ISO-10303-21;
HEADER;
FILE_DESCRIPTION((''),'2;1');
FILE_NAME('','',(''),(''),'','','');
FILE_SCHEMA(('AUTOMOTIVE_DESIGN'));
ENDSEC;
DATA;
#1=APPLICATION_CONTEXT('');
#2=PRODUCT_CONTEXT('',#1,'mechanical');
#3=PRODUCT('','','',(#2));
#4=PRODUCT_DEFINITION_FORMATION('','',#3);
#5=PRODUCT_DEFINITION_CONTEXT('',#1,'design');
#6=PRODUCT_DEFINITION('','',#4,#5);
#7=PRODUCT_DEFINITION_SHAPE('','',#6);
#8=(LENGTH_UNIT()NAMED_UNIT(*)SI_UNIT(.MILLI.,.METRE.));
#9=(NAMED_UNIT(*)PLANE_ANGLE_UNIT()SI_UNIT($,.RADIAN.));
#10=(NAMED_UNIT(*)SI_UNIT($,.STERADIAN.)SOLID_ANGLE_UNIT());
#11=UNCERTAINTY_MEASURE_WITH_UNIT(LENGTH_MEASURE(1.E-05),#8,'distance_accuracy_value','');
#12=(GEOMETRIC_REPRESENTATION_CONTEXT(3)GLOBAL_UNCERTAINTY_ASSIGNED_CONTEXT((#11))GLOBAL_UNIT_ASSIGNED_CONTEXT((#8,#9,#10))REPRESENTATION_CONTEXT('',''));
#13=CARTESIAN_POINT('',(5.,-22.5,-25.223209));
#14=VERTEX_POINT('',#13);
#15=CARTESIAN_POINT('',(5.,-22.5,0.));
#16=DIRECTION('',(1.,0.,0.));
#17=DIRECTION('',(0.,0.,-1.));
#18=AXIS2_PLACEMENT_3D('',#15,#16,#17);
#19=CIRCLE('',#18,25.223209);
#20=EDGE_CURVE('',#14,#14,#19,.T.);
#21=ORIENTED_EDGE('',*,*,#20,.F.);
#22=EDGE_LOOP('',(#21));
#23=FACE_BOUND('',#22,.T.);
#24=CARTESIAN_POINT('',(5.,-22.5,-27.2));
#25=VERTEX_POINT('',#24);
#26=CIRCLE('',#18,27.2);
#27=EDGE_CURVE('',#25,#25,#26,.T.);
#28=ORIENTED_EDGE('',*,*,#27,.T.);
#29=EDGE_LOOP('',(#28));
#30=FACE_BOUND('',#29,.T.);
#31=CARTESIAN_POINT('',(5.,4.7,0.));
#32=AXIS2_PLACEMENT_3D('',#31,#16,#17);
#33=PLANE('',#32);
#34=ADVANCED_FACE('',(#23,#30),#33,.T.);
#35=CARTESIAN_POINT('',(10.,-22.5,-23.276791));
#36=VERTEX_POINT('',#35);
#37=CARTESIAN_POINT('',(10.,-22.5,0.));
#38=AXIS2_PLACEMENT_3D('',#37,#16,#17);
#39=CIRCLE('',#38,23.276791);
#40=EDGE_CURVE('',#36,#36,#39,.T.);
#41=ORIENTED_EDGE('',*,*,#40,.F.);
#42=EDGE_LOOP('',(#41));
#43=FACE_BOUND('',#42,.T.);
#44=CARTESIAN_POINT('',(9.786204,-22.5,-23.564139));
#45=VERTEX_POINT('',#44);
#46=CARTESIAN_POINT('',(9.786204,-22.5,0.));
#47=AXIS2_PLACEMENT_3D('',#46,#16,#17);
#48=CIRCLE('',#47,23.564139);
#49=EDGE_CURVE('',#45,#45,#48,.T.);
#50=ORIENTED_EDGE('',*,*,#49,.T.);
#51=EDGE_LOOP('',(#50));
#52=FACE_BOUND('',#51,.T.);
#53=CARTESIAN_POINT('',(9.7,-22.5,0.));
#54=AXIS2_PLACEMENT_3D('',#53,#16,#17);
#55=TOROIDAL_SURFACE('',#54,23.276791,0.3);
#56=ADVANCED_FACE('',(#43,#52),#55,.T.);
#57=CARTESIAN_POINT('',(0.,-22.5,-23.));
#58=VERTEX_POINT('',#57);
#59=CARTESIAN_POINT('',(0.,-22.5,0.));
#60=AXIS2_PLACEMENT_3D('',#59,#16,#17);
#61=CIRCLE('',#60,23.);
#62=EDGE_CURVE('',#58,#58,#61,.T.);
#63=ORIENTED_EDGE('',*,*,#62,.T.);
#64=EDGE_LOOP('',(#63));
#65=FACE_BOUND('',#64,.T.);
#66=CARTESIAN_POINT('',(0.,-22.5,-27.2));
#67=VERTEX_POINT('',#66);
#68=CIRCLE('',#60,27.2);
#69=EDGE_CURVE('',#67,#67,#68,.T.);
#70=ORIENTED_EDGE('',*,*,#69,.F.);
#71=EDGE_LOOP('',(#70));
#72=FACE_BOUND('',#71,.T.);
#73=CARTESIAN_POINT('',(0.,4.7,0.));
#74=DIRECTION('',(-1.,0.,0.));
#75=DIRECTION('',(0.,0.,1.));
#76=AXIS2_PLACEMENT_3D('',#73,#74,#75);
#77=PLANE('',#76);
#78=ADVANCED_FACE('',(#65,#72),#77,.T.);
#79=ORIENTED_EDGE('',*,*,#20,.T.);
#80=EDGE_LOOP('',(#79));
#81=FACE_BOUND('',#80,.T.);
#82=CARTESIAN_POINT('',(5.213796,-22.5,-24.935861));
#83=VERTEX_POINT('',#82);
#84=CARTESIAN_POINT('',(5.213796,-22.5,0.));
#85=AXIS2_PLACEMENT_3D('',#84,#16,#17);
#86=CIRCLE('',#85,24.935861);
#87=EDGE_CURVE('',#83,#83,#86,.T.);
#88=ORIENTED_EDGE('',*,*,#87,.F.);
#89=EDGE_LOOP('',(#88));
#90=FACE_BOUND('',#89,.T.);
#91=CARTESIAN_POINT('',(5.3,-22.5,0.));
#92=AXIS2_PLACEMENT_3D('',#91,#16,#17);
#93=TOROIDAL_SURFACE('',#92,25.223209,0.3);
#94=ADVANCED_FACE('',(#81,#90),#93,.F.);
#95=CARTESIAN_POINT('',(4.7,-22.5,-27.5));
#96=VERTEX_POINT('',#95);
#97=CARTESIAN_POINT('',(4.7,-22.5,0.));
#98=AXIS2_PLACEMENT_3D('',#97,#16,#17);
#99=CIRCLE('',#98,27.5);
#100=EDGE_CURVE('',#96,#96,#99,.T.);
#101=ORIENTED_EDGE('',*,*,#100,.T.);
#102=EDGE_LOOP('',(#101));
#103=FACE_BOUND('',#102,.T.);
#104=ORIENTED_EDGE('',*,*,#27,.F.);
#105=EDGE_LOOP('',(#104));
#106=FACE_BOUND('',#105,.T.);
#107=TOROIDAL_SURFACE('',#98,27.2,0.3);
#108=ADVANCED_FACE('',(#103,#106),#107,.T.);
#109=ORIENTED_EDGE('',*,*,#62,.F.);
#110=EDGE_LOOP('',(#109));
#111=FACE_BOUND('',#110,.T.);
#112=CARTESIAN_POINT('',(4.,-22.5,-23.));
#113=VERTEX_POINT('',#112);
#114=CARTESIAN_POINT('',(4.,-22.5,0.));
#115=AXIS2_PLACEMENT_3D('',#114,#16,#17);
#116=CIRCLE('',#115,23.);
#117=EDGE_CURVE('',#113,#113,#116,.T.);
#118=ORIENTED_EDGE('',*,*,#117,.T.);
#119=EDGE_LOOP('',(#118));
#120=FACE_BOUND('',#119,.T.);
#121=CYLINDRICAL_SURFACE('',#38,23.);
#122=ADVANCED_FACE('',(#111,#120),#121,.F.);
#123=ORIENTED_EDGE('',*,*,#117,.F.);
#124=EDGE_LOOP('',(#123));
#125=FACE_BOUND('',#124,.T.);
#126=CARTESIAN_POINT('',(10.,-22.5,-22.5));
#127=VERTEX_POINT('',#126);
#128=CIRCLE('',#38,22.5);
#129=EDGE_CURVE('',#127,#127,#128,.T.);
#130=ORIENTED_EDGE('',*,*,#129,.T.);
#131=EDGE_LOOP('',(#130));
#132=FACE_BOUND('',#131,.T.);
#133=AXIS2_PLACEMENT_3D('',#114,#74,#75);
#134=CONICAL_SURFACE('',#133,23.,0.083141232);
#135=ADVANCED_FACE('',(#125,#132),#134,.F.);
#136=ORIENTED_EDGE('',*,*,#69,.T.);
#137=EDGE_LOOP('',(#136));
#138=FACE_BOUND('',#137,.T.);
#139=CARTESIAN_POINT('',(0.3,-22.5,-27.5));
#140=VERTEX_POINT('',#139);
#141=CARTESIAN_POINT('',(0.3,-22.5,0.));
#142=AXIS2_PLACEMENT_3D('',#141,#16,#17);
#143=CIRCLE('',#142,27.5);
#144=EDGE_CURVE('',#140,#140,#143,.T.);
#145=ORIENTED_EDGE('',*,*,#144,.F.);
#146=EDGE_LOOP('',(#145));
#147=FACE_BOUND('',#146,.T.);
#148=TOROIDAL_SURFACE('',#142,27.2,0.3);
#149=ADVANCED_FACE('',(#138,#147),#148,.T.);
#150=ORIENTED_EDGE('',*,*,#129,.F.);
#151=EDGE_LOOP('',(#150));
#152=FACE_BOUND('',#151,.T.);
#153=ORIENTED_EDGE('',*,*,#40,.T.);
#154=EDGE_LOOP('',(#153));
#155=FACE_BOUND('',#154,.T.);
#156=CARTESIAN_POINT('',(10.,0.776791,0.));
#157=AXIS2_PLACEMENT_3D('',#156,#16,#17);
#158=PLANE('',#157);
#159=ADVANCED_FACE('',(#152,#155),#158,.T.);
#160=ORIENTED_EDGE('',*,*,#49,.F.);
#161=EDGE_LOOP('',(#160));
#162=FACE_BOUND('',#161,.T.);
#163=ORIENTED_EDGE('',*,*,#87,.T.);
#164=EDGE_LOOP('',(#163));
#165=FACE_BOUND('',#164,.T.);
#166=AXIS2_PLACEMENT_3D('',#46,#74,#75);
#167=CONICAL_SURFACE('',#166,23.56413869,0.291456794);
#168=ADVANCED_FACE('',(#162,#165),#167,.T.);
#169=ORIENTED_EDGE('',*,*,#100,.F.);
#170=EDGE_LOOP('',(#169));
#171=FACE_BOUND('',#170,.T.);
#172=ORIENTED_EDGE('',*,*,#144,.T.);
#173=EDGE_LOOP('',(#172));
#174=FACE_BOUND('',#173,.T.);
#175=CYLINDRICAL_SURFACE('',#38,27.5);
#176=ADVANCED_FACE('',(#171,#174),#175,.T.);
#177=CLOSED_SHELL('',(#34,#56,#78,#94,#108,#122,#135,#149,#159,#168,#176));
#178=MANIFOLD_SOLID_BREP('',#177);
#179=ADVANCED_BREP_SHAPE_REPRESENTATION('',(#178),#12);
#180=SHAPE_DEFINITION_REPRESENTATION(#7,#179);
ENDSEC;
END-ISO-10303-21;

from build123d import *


with BuildPart() as part:
    # Sketch1 → Revolve1 (revolve)
    with BuildSketch(Plane.XY, mode=Mode.PRIVATE) as revolve1_sk:
        with BuildLine():
            Line((0.3, 5), (4.7, 5))
            ThreePointArc((4.7, 5), (4.912132034, 4.912132034), (5, 4.7))
            Line((5, 4.7), (5, 2.723209195))
            ThreePointArc((5, 2.723209195), (5.059312122, 2.544130036), (5.213795634, 2.43586131))
            Line((5.213795634, 2.43586131), (9.786204366, 1.06413869))
            ThreePointArc((9.786204366, 1.06413869), (9.940687878, 0.955869964), (10, 0.776790805))
            Line((10, 0.776790805), (10, 0))
            Line((10, 0), (4, 0.5))
            Line((4, 0.5), (0, 0.5))
            Line((0, 0.5), (0, 4.7))
            ThreePointArc((0, 4.7), (0.087867966, 4.912132034), (0.3, 5))
        make_face()
    revolve(revolve1_sk.sketch.rotate(Axis((10, -22.5, 0), (-1, 0, 0)), 90), axis=Axis((10, -22.5, 0), (-1, 0, 0)))


solid = part.part
